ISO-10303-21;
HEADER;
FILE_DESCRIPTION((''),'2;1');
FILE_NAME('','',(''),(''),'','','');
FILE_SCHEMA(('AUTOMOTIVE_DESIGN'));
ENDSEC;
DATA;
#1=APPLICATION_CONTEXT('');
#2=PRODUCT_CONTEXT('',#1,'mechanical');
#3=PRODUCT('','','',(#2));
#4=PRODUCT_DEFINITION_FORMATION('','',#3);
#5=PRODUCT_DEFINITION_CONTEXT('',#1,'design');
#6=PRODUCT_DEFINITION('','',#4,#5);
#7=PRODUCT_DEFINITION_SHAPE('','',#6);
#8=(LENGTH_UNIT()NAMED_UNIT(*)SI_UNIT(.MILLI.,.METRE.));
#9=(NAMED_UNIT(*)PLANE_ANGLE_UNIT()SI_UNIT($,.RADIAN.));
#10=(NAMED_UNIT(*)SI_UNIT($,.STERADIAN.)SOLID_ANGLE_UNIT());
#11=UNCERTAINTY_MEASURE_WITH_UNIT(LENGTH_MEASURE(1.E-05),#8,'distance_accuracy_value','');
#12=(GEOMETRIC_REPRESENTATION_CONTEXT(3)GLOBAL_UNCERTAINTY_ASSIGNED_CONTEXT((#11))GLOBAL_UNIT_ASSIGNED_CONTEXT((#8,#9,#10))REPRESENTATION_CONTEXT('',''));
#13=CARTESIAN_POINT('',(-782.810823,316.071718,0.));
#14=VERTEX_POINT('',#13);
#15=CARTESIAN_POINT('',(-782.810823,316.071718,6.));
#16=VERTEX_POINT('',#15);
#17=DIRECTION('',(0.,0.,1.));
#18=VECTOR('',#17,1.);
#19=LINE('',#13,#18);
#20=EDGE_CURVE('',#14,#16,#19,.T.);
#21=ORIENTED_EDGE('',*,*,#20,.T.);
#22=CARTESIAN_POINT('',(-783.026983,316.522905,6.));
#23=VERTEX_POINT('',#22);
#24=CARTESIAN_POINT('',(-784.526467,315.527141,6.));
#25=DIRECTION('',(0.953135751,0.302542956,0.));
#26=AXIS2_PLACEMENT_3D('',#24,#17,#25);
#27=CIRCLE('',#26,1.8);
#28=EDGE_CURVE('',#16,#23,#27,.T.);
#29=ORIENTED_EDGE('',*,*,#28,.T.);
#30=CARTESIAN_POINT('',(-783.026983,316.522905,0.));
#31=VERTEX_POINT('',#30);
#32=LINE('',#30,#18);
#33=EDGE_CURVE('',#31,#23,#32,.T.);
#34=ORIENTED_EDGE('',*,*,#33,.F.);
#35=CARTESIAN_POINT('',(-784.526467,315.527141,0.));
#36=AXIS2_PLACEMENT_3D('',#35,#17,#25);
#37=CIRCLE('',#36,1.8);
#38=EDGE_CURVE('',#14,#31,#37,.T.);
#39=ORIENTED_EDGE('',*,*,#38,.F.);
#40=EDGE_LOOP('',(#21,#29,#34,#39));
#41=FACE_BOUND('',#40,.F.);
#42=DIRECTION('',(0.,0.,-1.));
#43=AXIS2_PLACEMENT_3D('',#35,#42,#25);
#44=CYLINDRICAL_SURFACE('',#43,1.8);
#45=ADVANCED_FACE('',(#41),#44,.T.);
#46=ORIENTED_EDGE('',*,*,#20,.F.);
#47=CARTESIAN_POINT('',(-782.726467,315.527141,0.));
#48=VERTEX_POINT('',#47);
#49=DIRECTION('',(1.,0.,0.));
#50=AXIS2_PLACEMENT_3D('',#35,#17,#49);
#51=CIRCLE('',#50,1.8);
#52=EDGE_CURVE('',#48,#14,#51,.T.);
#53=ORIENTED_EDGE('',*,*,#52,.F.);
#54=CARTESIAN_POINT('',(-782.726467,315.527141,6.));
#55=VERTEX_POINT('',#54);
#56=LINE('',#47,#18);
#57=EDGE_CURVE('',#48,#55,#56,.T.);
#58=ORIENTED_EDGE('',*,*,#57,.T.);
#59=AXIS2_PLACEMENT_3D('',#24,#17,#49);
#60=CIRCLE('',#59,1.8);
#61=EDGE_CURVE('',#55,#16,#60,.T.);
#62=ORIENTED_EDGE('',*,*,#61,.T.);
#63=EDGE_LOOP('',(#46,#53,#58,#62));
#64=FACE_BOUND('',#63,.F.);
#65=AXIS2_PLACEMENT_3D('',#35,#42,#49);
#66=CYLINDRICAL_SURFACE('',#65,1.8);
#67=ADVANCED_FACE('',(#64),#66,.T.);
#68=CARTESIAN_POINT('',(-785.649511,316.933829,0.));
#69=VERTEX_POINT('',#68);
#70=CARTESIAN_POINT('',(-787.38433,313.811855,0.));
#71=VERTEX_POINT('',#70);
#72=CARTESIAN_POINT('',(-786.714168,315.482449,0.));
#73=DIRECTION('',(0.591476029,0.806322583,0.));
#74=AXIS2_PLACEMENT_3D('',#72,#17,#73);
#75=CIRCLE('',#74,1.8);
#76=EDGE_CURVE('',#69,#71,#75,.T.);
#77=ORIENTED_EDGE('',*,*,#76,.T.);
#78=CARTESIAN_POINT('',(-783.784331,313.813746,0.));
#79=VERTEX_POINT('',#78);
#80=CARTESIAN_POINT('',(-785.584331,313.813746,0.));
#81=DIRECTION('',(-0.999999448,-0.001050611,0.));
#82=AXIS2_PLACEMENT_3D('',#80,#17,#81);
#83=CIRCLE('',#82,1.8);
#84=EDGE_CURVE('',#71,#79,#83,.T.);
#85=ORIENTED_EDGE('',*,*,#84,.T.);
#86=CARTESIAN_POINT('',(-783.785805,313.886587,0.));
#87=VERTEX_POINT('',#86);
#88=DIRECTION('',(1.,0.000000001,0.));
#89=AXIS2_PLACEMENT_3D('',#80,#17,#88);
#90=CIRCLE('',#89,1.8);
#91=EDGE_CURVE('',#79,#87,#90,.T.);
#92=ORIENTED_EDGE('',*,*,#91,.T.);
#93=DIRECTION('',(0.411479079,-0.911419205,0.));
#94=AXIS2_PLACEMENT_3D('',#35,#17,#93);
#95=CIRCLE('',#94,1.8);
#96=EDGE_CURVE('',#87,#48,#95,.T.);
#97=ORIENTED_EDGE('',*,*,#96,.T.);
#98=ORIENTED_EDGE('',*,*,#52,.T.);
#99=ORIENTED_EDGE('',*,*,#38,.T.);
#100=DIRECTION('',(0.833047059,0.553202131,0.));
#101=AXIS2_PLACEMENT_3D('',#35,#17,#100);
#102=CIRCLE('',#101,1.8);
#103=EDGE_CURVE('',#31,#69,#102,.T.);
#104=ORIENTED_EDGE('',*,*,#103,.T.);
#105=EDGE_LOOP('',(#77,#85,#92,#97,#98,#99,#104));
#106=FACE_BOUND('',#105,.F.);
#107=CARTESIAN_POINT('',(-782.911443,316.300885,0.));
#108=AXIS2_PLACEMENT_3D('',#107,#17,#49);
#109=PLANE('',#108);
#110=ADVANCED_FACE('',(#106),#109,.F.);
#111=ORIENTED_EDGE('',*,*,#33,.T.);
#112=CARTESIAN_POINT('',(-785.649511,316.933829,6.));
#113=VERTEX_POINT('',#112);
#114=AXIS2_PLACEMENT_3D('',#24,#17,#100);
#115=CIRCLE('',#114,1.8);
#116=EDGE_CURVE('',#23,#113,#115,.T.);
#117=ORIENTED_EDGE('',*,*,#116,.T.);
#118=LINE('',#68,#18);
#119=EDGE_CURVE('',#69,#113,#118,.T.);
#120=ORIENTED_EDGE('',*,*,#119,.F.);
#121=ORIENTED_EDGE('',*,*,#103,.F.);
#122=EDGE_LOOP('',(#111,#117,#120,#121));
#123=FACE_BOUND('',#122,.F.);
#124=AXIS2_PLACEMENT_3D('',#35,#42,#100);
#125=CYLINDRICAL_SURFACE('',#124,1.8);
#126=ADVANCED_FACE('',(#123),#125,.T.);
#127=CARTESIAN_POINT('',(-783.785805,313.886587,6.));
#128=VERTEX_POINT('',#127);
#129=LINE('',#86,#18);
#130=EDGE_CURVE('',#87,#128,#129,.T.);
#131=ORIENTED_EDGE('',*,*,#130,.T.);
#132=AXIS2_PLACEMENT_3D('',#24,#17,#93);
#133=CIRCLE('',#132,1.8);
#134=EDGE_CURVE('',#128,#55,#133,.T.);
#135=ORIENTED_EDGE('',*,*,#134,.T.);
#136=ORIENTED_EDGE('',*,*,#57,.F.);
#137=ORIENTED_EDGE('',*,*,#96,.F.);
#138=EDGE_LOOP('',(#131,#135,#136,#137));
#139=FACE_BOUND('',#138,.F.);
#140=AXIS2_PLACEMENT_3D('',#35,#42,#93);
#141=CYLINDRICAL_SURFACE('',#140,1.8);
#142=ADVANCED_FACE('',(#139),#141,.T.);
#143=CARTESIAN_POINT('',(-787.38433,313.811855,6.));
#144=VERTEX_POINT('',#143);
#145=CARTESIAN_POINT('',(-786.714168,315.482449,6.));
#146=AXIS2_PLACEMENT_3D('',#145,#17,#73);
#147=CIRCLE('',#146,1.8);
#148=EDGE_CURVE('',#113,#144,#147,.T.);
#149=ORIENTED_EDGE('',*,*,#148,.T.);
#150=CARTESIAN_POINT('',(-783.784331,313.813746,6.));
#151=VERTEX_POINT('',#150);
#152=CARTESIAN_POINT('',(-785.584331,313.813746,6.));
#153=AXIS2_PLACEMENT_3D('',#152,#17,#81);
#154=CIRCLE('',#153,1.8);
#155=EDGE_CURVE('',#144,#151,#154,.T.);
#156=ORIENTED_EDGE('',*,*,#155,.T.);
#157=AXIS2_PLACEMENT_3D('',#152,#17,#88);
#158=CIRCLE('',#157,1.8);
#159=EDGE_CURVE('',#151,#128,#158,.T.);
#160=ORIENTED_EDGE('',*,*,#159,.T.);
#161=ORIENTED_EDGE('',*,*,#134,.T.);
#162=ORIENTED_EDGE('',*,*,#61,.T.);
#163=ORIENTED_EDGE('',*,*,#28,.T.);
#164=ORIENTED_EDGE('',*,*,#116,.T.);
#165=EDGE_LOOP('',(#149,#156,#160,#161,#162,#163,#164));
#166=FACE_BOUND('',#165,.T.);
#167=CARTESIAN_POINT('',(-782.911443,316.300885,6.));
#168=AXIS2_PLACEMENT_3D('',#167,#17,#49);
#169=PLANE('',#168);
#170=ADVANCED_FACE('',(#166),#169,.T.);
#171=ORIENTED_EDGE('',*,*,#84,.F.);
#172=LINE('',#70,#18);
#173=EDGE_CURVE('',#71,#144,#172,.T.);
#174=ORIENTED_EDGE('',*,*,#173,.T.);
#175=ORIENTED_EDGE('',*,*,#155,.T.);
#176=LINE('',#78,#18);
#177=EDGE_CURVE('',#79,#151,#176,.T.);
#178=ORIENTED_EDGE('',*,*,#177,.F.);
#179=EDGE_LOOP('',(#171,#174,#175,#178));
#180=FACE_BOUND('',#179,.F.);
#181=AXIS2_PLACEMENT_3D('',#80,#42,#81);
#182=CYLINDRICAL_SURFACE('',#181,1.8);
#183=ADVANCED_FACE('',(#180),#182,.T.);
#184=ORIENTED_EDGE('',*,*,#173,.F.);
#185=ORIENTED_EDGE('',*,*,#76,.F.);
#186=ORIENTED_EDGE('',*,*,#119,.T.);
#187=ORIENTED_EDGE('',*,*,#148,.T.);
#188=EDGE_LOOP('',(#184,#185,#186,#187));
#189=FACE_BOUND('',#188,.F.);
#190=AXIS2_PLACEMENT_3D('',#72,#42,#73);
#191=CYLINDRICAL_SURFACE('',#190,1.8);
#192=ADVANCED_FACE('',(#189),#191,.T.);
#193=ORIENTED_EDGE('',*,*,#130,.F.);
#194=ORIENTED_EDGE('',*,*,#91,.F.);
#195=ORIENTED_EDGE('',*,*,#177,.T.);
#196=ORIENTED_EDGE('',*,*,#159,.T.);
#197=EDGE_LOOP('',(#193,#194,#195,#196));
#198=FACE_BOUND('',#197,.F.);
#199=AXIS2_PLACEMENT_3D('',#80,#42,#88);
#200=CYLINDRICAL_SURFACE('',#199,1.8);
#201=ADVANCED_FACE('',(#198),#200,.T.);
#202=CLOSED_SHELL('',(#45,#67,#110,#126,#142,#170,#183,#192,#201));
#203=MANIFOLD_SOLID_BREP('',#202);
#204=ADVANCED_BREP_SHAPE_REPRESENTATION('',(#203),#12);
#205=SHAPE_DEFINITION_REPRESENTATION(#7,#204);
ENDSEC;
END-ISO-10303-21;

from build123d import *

# Parameters (mm, degrees)
F1_DEPTH = 6


with BuildPart() as f1:
    # F0 (on Top) → F1 (new body)
    with BuildSketch(Plane.XY):
        with BuildLine():
            ThreePointArc((-782.8108229719, 316.071718416), (-782.9031509549, 316.304858246), (-783.026982617, 316.5229049295))
            ThreePointArc((-783.026982617, 316.5229049295), (-782.9094811402, 316.3018255077), (-782.8108229719, 316.071718416))
        make_face()
        with BuildLine():
            ThreePointArc((-783.7858049809, 313.886586525), (-784.7140567778, 313.7369427263), (-785.5911241746, 314.075760445))
            ThreePointArc((-785.5911241746, 314.075760445), (-786.452085755, 313.7016307347), (-787.3843295654, 313.8118548753))
            ThreePointArc((-787.3843295654, 313.8118548753), (-785.5833850086, 312.0137462238), (-783.7843305588, 313.8137459755))
            ThreePointArc((-783.7843305588, 313.8137459755), (-783.7846992021, 313.8501737107), (-783.7858049809, 313.886586525))
        make_face()
        with BuildLine():
            ThreePointArc((-787.3843295654, 313.8118548753), (-786.452085755, 313.7016307347), (-785.5911241746, 314.075760445))
            ThreePointArc((-785.5911241746, 314.075760445), (-786.1153495113, 314.6812963137), (-786.3249929012, 315.4543005447))
            ThreePointArc((-786.3249929012, 315.4543005447), (-787.0969927705, 314.7893755329), (-787.3843295654, 313.8118548753))
        make_face()
        with BuildLine():
            ThreePointArc((-786.3249929012, 315.4543005447), (-786.163887167, 316.2747079845), (-785.6495114244, 316.9338293848))
            ThreePointArc((-785.6495114244, 316.9338293848), (-788.2875683827, 316.3567553772), (-787.3843295654, 313.8118548753))
            ThreePointArc((-787.3843295654, 313.8118548753), (-787.0969927705, 314.7893755329), (-786.3249929012, 315.4543005447))
        make_face()
        with BuildLine():
            ThreePointArc((-785.6495114244, 316.9338293848), (-785.1089211657, 316.2968084324), (-784.9141692691, 315.4843398357))
            ThreePointArc((-784.9141692691, 315.4843398357), (-784.1140218759, 314.8521064028), (-783.7858049809, 313.886586525))
            ThreePointArc((-783.7858049809, 313.886586525), (-783.014317824, 314.5507170614), (-782.7264673233, 315.5271410942))
            ThreePointArc((-782.7264673233, 315.5271410942), (-782.7476812439, 315.8026770877), (-782.8108229719, 316.071718416))
            ThreePointArc((-782.8108229719, 316.071718416), (-782.9094811402, 316.3018255077), (-783.026982617, 316.5229049295))
            ThreePointArc((-783.026982617, 316.5229049295), (-784.2478248834, 317.3054432032), (-785.6495114244, 316.9338293848))
        make_face()
        with BuildLine():
            ThreePointArc((-784.9141692691, 315.4843398357), (-784.9141685241, 315.4833942858), (-784.9141682757, 315.4824487356))
            ThreePointArc((-784.9141682757, 315.4824487356), (-785.0922127612, 314.7018974503), (-785.5911241746, 314.075760445))
            ThreePointArc((-785.5911241746, 314.075760445), (-784.7140567778, 313.7369427263), (-783.7858049809, 313.886586525))
            ThreePointArc((-783.7858049809, 313.886586525), (-784.1140218759, 314.8521064028), (-784.9141692691, 315.4843398357))
        make_face()
        with BuildLine():
            ThreePointArc((-785.5911241746, 314.075760445), (-785.0922127612, 314.7018974503), (-784.9141682757, 315.4824487356))
            ThreePointArc((-784.9141682757, 315.4824487356), (-784.9141685241, 315.4833942858), (-784.9141692691, 315.4843398357))
            ThreePointArc((-784.9141692691, 315.4843398357), (-785.622647518, 315.6133380989), (-786.3249929012, 315.4543005447))
            ThreePointArc((-786.3249929012, 315.4543005447), (-786.1153495113, 314.6812963137), (-785.5911241746, 314.075760445))
        make_face()
        with BuildLine():
            ThreePointArc((-786.3249929012, 315.4543005447), (-785.622647518, 315.6133380989), (-784.9141692691, 315.4843398357))
            ThreePointArc((-784.9141692691, 315.4843398357), (-785.1089211657, 316.2968084324), (-785.6495114244, 316.9338293848))
            ThreePointArc((-785.6495114244, 316.9338293848), (-786.163887167, 316.2747079845), (-786.3249929012, 315.4543005447))
        make_face()
    extrude(amount=F1_DEPTH)


solid = f1.part
